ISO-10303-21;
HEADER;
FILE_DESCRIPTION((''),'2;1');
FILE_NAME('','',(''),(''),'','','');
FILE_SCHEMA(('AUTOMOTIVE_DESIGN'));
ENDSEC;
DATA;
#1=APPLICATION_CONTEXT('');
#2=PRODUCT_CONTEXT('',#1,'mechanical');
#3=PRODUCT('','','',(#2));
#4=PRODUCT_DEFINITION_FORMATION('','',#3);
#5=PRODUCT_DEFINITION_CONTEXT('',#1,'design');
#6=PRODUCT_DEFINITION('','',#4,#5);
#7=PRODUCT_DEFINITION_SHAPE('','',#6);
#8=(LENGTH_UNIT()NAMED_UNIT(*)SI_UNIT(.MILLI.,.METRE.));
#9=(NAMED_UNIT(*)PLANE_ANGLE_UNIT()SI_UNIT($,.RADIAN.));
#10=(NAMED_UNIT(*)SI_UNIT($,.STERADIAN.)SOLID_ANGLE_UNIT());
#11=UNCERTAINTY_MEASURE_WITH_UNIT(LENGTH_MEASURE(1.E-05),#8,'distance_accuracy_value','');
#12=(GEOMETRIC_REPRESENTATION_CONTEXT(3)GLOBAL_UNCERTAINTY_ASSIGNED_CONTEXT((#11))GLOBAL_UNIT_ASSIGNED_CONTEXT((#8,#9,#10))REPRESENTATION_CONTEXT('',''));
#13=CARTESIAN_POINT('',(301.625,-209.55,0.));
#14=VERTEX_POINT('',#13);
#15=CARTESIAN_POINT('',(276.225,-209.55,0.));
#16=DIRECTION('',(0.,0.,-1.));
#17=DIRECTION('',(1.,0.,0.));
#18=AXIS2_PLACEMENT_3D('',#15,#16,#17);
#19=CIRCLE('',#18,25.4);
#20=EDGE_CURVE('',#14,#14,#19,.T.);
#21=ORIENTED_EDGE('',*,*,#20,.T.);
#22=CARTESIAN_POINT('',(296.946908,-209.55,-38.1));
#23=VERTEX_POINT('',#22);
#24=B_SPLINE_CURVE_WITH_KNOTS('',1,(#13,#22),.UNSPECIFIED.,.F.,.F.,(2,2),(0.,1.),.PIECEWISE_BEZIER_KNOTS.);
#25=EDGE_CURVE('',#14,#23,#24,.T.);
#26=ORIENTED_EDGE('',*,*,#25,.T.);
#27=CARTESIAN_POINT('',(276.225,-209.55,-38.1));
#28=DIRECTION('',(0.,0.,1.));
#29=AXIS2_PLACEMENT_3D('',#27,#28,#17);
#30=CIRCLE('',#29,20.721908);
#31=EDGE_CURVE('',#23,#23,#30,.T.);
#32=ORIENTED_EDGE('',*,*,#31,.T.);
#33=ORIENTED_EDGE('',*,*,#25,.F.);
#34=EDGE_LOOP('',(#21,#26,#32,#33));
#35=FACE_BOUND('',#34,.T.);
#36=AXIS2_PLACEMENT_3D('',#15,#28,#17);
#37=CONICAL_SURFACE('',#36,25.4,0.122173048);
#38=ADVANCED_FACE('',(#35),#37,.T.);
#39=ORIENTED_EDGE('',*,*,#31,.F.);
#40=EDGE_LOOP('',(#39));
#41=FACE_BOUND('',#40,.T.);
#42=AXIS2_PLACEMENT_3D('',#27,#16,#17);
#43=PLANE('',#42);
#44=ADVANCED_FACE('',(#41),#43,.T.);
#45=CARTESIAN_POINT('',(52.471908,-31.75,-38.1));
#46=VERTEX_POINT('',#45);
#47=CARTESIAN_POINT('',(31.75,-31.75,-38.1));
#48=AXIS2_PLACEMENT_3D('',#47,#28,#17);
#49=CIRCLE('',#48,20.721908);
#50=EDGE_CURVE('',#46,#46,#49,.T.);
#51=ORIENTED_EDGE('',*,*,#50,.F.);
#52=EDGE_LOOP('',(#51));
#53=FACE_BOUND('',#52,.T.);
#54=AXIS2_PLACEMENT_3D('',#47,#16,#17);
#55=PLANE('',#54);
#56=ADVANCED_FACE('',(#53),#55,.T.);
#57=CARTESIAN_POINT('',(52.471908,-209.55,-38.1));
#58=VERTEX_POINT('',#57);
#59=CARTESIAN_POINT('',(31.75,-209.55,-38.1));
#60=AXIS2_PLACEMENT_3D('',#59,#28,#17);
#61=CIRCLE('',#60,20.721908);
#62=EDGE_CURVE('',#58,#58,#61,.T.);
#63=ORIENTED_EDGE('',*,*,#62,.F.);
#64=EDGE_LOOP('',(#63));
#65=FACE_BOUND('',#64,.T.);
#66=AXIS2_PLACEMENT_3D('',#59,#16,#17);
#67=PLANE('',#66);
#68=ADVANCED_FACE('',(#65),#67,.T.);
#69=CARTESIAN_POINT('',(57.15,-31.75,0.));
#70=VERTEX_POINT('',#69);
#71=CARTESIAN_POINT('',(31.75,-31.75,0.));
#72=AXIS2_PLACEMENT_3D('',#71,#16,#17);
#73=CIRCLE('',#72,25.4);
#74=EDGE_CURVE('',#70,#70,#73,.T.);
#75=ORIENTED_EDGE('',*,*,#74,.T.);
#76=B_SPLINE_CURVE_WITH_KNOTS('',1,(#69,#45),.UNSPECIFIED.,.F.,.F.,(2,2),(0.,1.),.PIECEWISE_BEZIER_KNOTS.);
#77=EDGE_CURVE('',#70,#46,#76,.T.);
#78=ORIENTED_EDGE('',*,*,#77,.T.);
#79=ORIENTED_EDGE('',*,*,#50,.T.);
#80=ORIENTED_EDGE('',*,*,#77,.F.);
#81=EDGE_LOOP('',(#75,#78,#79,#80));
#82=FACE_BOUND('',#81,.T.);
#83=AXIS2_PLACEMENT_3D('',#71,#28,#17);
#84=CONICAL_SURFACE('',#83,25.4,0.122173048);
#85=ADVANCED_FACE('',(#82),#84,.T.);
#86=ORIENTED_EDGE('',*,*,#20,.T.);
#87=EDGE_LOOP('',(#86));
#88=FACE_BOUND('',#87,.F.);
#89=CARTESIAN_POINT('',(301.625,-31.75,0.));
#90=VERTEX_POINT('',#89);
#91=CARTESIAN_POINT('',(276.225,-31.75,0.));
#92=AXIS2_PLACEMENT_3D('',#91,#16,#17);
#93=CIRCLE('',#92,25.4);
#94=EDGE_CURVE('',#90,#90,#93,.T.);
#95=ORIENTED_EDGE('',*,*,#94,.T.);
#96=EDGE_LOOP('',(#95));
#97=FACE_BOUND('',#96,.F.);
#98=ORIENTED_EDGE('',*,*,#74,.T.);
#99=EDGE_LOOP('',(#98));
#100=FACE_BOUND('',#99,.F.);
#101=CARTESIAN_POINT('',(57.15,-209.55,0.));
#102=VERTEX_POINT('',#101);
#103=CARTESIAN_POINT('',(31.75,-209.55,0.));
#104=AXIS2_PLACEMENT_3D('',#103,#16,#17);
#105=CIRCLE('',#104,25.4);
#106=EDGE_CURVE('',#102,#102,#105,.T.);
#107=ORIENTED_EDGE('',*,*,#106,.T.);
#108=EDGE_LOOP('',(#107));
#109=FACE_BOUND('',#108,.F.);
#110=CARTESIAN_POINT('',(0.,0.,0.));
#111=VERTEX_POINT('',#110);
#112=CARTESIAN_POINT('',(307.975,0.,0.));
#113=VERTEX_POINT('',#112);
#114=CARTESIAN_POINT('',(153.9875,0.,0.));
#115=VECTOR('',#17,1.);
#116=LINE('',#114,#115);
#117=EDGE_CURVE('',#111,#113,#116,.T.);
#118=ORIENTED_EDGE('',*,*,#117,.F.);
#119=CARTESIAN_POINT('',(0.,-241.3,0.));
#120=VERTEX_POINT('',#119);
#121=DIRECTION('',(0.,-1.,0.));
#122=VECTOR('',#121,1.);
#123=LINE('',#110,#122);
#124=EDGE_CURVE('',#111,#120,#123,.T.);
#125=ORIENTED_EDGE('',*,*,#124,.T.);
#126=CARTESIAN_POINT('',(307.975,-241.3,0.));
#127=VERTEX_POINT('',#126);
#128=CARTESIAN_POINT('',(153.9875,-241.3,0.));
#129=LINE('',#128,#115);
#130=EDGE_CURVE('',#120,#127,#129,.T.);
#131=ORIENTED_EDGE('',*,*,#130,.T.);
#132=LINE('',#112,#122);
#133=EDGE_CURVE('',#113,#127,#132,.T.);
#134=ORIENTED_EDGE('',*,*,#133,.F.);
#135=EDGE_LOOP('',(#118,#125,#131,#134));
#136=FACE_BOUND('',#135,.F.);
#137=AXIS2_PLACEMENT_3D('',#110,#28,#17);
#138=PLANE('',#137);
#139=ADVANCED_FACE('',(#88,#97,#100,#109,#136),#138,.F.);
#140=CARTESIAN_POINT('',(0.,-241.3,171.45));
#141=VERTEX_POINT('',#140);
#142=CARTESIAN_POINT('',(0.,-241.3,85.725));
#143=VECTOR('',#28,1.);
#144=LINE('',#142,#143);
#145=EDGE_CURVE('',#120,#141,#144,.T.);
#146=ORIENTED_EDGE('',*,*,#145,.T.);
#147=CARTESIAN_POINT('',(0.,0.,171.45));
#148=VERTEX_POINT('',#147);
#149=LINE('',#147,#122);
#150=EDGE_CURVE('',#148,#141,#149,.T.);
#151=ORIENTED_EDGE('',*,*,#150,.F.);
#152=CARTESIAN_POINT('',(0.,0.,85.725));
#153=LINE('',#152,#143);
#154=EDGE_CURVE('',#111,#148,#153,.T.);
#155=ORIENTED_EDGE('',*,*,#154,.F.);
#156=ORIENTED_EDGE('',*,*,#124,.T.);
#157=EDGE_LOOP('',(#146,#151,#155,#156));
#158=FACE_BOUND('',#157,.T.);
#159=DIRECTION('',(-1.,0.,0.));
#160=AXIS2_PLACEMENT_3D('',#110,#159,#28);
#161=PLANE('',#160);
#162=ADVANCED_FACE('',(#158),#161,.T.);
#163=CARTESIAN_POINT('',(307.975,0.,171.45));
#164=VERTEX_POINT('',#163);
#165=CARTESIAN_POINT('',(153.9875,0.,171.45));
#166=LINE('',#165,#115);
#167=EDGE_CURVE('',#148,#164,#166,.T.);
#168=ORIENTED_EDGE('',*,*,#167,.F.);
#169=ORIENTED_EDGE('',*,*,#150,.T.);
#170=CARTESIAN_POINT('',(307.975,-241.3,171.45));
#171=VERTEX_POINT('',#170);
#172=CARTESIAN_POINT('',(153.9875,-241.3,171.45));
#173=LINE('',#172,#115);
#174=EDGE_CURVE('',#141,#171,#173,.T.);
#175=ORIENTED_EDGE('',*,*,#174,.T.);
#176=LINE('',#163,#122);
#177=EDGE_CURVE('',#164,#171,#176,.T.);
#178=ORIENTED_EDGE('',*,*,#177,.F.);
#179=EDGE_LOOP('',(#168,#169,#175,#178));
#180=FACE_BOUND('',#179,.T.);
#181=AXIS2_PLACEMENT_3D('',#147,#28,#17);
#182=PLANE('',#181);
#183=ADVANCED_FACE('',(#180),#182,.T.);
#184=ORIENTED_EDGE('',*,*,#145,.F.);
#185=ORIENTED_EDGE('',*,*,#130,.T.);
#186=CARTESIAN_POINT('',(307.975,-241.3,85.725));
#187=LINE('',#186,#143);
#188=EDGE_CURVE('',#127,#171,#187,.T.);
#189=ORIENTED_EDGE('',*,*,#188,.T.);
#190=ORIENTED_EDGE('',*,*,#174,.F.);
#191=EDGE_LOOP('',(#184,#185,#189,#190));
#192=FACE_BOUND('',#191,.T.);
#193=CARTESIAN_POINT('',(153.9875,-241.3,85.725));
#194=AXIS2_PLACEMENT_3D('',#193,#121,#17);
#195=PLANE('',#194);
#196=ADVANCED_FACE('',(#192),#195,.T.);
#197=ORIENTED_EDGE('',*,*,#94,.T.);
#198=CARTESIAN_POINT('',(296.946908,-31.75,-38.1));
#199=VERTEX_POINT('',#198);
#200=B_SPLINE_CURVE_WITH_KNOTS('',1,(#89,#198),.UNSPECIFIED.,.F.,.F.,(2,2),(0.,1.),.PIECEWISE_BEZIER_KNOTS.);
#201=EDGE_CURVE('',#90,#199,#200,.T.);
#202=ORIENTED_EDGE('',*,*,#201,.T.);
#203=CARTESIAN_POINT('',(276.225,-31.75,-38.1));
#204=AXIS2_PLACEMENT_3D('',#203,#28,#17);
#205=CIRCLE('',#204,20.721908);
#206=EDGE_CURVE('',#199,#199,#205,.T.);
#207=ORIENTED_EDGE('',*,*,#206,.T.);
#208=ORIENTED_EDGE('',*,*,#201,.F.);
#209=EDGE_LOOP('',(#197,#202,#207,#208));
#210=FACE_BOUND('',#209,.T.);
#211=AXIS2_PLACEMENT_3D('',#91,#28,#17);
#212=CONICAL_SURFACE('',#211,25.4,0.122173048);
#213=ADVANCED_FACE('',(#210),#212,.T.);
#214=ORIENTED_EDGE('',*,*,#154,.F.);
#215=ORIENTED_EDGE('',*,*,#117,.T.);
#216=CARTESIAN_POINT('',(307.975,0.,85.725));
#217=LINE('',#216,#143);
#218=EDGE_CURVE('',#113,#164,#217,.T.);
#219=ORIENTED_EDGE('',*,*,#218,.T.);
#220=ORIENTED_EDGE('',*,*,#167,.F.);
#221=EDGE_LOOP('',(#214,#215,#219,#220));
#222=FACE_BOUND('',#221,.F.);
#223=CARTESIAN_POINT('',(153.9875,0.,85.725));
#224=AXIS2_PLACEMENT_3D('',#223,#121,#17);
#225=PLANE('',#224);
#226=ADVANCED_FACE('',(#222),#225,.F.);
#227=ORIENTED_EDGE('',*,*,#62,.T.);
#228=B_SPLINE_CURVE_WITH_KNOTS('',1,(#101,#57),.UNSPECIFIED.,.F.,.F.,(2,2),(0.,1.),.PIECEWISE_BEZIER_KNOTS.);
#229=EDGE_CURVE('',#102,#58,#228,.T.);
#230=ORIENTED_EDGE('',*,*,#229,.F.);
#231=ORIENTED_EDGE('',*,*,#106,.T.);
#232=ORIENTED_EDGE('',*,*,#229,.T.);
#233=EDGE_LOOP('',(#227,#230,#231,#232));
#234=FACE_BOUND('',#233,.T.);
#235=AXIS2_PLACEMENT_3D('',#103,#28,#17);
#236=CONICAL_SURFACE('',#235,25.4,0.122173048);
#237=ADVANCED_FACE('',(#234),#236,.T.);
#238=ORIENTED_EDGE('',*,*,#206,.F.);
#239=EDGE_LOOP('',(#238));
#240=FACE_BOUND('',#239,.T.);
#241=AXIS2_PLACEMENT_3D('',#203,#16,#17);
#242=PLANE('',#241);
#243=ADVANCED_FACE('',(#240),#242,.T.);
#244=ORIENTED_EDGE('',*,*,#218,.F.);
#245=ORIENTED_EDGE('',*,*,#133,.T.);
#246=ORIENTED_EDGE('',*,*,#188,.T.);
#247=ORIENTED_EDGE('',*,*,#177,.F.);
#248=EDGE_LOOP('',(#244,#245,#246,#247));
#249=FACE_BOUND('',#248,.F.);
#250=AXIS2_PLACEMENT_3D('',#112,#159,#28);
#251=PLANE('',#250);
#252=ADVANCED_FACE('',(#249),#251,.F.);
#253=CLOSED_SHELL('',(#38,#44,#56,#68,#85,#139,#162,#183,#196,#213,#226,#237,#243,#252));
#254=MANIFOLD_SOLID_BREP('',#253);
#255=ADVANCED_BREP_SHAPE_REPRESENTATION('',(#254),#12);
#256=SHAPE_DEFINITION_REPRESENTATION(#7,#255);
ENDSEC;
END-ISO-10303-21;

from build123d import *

# Parameters (mm, degrees)
F0_W     = 307.975
F0_H     = 171.45
F1_DEPTH = 241.3
F2_R     = 25.4
F3_DEPTH = 38.1
F3_TAPER = 7


with BuildPart() as f1:
    # F0 (on Front) → F1 (new body)
    with BuildSketch(Plane.XZ):
        with Locations((153.9875, 85.725)):
            Rectangle(F0_W, F0_H)
    extrude(amount=F1_DEPTH)

    # F2 (on face) → F3 (join)
    with BuildSketch(Plane(origin=(0, 0, 0), x_dir=(1, 0, 0), z_dir=(0, 0, -1))):
        with Locations((31.75, 209.55)):
            Circle(F2_R)
        with Locations((276.225, 209.55)):
            Circle(F2_R)
        with Locations((276.225, 31.75)):
            Circle(F2_R)
        with Locations((31.75, 31.75)):
            Circle(F2_R)
    extrude(amount=F3_DEPTH, taper=F3_TAPER)


solid = f1.part
